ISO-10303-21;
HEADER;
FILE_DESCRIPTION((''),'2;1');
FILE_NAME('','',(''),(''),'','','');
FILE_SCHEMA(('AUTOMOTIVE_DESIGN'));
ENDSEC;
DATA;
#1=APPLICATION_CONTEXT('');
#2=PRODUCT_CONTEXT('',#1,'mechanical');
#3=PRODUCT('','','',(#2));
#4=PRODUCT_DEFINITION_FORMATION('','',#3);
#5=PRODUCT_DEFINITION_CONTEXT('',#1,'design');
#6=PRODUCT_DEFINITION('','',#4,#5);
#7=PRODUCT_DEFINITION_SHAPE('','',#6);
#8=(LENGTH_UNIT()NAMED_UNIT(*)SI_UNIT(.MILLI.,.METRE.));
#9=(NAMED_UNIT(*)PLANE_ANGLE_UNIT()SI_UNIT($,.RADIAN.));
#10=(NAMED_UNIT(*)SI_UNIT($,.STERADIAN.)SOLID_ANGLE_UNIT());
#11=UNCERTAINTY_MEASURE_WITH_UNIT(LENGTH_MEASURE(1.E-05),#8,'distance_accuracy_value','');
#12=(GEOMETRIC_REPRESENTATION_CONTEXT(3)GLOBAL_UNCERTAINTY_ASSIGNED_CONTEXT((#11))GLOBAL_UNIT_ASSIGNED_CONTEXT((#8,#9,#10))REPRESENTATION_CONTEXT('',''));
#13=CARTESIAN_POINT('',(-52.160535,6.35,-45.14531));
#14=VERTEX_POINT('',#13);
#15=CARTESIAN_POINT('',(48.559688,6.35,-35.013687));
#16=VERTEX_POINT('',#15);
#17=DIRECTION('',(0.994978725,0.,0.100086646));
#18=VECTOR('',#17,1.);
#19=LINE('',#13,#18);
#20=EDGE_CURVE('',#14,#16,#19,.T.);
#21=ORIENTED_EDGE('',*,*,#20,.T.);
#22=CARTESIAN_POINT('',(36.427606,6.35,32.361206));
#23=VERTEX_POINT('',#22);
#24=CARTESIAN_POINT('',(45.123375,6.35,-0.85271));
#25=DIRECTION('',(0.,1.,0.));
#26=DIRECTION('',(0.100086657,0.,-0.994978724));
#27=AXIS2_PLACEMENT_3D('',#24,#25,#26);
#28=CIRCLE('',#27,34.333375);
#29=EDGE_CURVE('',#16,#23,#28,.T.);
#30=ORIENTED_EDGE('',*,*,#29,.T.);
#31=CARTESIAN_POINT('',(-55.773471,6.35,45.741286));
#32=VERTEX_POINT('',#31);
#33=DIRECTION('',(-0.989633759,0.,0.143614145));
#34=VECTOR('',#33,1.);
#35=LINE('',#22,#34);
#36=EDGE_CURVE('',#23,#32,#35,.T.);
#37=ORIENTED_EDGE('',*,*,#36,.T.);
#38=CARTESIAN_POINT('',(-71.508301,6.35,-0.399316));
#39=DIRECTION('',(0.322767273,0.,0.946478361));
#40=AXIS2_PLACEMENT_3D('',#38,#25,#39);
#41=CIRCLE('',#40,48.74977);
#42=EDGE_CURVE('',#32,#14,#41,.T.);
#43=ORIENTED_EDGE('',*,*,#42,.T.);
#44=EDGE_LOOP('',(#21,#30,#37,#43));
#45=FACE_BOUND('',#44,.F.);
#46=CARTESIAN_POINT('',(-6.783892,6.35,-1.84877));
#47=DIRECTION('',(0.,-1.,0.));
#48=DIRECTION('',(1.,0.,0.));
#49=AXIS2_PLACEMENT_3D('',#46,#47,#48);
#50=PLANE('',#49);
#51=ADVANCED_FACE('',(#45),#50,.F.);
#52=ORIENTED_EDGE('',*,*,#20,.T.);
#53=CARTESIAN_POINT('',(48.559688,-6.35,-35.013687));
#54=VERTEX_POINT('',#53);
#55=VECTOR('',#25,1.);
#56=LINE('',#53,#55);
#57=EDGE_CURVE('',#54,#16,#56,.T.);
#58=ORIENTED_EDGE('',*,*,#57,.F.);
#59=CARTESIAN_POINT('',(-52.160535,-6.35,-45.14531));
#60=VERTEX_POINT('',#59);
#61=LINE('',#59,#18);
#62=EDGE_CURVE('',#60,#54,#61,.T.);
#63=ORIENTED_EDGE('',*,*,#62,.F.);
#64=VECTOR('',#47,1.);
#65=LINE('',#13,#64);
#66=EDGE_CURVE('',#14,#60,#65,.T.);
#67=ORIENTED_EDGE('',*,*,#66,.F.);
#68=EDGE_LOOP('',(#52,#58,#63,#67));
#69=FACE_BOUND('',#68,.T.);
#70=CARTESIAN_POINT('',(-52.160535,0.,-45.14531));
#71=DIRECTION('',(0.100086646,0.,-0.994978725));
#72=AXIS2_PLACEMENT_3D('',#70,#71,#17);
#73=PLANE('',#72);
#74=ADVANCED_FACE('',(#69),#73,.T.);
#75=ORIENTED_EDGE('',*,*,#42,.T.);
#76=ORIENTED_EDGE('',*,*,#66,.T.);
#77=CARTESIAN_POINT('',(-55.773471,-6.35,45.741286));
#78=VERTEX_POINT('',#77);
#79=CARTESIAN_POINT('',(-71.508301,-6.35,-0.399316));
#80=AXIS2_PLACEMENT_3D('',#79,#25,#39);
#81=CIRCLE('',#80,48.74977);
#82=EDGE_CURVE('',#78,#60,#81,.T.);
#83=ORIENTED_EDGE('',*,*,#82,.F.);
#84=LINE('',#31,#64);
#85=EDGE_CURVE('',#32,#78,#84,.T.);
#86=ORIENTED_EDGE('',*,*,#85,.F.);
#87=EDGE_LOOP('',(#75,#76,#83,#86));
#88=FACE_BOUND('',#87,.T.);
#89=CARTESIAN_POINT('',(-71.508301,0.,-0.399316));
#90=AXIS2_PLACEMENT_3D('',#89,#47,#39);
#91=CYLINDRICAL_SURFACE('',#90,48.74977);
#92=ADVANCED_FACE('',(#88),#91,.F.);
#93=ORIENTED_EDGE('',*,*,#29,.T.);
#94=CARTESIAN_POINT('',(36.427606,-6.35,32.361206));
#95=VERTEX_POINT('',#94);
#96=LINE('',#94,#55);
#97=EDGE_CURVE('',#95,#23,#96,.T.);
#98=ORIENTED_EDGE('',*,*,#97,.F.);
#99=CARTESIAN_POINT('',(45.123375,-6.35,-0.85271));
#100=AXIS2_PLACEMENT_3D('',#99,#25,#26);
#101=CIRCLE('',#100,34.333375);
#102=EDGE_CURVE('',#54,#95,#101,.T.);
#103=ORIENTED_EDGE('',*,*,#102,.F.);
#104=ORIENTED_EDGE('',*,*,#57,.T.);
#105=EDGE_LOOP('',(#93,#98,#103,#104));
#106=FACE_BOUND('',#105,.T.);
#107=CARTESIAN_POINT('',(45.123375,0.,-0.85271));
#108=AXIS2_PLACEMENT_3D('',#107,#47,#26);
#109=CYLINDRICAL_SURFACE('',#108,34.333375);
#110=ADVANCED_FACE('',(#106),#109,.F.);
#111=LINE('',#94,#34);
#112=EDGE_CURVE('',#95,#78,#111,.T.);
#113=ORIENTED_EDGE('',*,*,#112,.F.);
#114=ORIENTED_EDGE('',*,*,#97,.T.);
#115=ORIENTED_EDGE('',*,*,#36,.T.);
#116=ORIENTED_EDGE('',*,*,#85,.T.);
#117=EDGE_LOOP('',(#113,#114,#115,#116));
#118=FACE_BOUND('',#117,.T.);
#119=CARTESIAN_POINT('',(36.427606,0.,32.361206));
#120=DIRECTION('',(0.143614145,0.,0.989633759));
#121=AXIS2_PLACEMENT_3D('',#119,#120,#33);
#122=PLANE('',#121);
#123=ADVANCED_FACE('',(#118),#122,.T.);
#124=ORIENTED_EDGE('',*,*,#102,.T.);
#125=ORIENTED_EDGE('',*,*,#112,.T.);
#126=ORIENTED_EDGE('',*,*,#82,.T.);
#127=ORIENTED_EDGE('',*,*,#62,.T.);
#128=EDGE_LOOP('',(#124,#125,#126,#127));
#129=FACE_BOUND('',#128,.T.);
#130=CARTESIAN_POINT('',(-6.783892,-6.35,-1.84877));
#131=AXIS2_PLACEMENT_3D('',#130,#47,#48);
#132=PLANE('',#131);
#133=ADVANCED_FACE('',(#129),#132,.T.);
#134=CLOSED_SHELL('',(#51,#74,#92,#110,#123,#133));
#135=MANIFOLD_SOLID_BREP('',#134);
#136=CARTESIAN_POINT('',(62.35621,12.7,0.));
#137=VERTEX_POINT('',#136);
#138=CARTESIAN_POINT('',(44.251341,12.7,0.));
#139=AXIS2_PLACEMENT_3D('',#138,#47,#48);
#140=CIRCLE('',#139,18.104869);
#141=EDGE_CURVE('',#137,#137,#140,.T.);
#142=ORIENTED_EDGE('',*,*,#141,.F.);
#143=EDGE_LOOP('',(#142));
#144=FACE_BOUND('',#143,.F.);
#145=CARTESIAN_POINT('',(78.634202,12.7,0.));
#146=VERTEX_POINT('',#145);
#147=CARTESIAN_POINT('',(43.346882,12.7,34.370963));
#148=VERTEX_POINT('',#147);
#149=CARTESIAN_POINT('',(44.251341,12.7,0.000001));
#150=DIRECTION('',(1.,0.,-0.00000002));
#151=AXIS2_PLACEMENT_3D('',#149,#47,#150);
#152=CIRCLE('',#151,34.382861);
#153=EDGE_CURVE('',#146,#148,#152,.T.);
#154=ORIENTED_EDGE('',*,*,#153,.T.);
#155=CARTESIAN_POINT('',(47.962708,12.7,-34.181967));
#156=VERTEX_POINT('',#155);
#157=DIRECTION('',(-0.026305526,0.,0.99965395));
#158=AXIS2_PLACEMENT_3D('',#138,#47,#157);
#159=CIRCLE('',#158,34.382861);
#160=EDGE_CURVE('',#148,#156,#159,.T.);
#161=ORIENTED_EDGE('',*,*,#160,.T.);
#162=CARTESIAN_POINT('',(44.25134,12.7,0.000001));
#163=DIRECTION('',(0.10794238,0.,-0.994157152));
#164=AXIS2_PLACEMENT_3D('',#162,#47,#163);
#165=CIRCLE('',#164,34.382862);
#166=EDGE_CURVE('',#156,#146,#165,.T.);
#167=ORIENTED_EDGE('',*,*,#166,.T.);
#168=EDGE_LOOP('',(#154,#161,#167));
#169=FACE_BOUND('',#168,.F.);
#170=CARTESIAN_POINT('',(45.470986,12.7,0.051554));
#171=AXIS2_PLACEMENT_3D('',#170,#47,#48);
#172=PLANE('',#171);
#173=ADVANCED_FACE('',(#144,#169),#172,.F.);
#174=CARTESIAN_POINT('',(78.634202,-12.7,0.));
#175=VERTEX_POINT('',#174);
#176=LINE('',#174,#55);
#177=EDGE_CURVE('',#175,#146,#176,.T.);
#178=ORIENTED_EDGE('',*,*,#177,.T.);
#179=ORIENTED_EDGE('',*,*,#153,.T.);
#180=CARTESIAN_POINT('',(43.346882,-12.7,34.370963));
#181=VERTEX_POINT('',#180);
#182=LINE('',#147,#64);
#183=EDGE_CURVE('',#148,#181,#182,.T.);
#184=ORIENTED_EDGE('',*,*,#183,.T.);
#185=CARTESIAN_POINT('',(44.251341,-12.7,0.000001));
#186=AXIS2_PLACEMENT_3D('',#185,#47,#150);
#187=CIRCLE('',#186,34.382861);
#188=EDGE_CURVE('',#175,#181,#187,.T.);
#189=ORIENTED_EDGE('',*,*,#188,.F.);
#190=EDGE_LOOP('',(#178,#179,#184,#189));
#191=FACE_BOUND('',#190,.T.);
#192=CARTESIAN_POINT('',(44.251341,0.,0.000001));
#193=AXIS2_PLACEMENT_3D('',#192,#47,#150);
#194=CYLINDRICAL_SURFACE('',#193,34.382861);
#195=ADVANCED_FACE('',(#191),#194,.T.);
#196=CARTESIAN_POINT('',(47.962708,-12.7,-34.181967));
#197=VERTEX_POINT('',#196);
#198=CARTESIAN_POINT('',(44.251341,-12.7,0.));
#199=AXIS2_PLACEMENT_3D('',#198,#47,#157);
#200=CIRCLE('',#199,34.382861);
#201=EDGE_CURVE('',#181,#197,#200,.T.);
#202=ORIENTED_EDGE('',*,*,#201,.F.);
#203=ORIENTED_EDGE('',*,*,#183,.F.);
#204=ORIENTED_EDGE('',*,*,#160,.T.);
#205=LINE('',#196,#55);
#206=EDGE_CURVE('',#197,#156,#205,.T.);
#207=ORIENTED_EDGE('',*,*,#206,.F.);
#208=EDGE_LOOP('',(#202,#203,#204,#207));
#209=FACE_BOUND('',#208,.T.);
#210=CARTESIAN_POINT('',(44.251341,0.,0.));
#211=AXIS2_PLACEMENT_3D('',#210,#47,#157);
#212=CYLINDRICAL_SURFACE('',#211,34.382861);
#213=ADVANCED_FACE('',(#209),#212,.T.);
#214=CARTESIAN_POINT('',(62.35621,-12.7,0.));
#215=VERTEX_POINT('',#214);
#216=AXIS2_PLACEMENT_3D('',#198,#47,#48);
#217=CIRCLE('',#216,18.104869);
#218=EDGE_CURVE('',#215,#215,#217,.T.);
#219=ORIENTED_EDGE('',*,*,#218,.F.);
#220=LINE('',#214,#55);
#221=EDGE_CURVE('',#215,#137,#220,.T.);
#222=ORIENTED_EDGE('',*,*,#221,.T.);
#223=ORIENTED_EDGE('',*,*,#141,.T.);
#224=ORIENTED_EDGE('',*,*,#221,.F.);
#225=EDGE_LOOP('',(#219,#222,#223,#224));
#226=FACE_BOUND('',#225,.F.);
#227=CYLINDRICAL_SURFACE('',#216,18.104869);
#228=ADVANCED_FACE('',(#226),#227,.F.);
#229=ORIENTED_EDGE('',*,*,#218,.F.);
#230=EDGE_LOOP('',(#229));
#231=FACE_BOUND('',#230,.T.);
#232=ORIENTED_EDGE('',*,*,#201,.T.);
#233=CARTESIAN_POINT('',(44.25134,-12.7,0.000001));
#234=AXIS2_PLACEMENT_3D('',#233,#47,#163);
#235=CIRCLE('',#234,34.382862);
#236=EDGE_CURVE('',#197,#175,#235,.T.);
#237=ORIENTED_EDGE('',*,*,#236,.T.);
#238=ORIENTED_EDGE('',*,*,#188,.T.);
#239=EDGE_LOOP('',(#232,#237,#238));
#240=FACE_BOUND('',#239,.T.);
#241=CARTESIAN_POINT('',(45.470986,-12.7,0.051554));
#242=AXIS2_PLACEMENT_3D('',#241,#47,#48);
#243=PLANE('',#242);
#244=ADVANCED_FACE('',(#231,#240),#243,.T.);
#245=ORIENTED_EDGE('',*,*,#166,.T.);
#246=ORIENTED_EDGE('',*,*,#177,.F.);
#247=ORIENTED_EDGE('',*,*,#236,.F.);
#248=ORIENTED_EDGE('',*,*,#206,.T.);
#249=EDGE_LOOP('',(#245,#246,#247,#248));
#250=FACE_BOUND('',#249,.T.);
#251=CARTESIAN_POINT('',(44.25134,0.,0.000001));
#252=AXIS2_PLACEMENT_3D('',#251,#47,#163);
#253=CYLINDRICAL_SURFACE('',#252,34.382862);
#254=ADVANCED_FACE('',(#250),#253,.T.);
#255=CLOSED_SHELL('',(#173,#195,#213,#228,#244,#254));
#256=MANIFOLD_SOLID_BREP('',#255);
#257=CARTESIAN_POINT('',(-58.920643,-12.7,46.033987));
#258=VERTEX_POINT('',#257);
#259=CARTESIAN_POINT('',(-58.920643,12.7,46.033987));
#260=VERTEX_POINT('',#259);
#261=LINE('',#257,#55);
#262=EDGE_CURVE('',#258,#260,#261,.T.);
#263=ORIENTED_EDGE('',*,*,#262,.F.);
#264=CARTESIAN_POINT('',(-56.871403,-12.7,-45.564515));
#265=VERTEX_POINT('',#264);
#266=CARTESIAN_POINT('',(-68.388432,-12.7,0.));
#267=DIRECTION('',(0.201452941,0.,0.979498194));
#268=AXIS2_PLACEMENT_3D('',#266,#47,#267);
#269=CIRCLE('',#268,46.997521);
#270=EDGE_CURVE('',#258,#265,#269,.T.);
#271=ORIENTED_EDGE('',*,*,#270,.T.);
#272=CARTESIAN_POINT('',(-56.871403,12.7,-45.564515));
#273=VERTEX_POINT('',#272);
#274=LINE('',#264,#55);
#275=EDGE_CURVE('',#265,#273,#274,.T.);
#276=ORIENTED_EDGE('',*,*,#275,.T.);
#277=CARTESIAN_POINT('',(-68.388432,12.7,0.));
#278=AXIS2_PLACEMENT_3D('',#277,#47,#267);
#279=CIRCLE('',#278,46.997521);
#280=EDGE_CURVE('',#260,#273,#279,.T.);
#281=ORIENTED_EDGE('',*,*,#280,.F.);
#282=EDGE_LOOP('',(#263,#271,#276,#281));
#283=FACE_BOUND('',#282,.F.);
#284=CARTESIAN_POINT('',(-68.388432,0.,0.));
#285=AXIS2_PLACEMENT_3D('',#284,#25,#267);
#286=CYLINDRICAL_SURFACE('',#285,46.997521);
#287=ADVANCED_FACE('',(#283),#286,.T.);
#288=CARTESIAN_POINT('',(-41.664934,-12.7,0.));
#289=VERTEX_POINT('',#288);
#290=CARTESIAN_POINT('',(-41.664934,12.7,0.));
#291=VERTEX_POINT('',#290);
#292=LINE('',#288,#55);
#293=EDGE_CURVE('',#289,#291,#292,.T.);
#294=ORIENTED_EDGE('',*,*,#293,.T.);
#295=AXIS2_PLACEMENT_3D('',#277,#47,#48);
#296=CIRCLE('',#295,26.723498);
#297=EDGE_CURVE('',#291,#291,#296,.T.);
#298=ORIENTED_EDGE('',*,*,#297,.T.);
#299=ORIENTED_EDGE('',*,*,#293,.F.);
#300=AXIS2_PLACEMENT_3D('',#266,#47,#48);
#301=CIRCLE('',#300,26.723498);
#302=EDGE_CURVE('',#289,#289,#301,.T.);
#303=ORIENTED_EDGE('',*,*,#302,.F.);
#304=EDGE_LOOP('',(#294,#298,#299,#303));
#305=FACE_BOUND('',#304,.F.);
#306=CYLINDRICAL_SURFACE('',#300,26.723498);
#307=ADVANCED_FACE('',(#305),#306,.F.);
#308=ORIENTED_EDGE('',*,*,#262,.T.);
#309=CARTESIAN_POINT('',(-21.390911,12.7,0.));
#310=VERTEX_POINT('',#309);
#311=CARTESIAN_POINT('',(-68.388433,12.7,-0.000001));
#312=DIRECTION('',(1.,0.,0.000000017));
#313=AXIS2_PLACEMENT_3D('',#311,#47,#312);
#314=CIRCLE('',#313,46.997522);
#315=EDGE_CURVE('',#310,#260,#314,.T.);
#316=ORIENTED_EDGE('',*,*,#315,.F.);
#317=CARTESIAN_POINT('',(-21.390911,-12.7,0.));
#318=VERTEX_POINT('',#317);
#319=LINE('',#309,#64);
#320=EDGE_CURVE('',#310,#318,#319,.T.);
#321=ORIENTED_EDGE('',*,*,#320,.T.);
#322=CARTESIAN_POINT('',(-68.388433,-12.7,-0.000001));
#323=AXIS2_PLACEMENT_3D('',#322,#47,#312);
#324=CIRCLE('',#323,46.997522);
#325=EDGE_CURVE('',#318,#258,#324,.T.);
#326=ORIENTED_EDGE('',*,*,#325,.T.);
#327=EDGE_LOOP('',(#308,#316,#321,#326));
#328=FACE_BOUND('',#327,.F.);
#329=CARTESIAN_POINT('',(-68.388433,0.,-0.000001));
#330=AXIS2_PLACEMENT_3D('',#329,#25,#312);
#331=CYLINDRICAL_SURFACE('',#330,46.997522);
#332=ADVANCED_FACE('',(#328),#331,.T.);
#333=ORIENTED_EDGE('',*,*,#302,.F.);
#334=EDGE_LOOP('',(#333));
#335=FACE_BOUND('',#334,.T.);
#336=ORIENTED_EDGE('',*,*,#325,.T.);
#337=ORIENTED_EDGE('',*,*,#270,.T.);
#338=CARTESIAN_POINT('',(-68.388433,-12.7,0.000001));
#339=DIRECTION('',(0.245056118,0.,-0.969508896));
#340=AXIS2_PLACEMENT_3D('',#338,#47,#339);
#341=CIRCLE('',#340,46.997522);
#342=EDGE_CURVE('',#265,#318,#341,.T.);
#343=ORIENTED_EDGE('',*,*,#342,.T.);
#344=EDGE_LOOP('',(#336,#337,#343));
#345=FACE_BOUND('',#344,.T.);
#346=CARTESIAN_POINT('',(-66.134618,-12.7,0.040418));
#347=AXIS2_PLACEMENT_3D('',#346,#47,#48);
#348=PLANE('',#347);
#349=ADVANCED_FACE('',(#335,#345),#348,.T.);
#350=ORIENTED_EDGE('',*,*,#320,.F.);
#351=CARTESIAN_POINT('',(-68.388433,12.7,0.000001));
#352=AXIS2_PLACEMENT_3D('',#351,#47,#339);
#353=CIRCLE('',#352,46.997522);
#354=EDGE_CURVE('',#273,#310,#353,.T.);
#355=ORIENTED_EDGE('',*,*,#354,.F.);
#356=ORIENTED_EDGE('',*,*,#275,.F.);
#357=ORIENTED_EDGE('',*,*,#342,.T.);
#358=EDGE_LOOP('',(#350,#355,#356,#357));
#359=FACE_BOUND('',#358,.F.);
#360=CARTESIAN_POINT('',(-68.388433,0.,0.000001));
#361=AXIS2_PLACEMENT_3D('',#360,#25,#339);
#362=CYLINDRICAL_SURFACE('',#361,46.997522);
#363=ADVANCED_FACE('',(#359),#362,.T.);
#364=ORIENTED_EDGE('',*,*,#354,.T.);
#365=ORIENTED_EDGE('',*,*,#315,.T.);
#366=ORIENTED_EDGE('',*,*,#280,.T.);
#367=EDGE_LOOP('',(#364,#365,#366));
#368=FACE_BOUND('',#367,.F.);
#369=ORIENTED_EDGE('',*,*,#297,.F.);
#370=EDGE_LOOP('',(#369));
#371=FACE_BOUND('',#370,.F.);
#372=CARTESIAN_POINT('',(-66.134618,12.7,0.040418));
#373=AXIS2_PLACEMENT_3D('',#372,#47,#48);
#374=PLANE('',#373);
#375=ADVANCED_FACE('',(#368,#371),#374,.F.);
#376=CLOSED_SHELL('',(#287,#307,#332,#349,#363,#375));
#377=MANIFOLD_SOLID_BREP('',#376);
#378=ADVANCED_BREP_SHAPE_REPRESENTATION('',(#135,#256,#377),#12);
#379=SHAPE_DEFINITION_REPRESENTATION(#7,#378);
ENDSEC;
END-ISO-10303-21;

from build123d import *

# Parameters (mm, degrees)
F1_DEPTH = 12.7
F3_DEPTH = 6.35
F4_R     = 26.723498
F5_DEPTH = 25.401
F6_R     = 18.104869
F7_DEPTH = 25.401


with BuildPart() as f1:
    # F0 (on Front) → F1 (new body, symmetric)
    with BuildSketch(Plane.XZ):
        with BuildLine():
            ThreePointArc((-56.871403, -45.564515), (-31.307178, -28.874687), (-21.390911, 0))
            ThreePointArc((-21.390911, 0), (-31.962277, 29.696838), (-58.920643, 46.033987))
            ThreePointArc((-58.920643, 46.033987), (-115.374196, -1.051165), (-56.871403, -45.564515))
        make_face()
        with BuildLine():
            ThreePointArc((78.634202, 0), (68.24179, 24.630053), (43.346882, 34.370963))
            ThreePointArc((43.346882, 34.370963), (9.946156, -2.309847), (47.962708, -34.181967))
            ThreePointArc((47.962708, -34.181967), (69.842243, -22.962727), (78.634202, 0))
        make_face()
    extrude(amount=F1_DEPTH, both=True)

    # F4 (on face) → F5 (cut, through all)
    with BuildSketch(Plane.XZ.offset(12.7)):
        with Locations((-68.388432, 0)):
            Circle(F4_R)
    extrude(amount=-F5_DEPTH, mode=Mode.SUBTRACT)

    # F6 (on face) → F7 (cut, through all)
    with BuildSketch(Plane.XZ.offset(12.7)):
        with Locations((44.251341, 0)):
            Circle(F6_R)
    extrude(amount=-F7_DEPTH, mode=Mode.SUBTRACT)


with BuildPart() as f3:
    # F2 (on Front) → F3 (new body, symmetric)
    with BuildSketch(Plane.XZ):
        with BuildLine():
            Line((36.427606, 32.361206), (-55.773471, 45.741286))
            ThreePointArc((-55.773471, 45.741286), (-22.797004, 1.537062), (-52.160535, -45.14531))
            Line((-52.160535, -45.14531), (48.559688, -35.013687))
            ThreePointArc((48.559688, -35.013687), (11.333443, -6.937205), (36.427606, 32.361206))
        make_face()
    extrude(amount=F3_DEPTH, both=True)


solid = Compound([f1.part, f3.part])
